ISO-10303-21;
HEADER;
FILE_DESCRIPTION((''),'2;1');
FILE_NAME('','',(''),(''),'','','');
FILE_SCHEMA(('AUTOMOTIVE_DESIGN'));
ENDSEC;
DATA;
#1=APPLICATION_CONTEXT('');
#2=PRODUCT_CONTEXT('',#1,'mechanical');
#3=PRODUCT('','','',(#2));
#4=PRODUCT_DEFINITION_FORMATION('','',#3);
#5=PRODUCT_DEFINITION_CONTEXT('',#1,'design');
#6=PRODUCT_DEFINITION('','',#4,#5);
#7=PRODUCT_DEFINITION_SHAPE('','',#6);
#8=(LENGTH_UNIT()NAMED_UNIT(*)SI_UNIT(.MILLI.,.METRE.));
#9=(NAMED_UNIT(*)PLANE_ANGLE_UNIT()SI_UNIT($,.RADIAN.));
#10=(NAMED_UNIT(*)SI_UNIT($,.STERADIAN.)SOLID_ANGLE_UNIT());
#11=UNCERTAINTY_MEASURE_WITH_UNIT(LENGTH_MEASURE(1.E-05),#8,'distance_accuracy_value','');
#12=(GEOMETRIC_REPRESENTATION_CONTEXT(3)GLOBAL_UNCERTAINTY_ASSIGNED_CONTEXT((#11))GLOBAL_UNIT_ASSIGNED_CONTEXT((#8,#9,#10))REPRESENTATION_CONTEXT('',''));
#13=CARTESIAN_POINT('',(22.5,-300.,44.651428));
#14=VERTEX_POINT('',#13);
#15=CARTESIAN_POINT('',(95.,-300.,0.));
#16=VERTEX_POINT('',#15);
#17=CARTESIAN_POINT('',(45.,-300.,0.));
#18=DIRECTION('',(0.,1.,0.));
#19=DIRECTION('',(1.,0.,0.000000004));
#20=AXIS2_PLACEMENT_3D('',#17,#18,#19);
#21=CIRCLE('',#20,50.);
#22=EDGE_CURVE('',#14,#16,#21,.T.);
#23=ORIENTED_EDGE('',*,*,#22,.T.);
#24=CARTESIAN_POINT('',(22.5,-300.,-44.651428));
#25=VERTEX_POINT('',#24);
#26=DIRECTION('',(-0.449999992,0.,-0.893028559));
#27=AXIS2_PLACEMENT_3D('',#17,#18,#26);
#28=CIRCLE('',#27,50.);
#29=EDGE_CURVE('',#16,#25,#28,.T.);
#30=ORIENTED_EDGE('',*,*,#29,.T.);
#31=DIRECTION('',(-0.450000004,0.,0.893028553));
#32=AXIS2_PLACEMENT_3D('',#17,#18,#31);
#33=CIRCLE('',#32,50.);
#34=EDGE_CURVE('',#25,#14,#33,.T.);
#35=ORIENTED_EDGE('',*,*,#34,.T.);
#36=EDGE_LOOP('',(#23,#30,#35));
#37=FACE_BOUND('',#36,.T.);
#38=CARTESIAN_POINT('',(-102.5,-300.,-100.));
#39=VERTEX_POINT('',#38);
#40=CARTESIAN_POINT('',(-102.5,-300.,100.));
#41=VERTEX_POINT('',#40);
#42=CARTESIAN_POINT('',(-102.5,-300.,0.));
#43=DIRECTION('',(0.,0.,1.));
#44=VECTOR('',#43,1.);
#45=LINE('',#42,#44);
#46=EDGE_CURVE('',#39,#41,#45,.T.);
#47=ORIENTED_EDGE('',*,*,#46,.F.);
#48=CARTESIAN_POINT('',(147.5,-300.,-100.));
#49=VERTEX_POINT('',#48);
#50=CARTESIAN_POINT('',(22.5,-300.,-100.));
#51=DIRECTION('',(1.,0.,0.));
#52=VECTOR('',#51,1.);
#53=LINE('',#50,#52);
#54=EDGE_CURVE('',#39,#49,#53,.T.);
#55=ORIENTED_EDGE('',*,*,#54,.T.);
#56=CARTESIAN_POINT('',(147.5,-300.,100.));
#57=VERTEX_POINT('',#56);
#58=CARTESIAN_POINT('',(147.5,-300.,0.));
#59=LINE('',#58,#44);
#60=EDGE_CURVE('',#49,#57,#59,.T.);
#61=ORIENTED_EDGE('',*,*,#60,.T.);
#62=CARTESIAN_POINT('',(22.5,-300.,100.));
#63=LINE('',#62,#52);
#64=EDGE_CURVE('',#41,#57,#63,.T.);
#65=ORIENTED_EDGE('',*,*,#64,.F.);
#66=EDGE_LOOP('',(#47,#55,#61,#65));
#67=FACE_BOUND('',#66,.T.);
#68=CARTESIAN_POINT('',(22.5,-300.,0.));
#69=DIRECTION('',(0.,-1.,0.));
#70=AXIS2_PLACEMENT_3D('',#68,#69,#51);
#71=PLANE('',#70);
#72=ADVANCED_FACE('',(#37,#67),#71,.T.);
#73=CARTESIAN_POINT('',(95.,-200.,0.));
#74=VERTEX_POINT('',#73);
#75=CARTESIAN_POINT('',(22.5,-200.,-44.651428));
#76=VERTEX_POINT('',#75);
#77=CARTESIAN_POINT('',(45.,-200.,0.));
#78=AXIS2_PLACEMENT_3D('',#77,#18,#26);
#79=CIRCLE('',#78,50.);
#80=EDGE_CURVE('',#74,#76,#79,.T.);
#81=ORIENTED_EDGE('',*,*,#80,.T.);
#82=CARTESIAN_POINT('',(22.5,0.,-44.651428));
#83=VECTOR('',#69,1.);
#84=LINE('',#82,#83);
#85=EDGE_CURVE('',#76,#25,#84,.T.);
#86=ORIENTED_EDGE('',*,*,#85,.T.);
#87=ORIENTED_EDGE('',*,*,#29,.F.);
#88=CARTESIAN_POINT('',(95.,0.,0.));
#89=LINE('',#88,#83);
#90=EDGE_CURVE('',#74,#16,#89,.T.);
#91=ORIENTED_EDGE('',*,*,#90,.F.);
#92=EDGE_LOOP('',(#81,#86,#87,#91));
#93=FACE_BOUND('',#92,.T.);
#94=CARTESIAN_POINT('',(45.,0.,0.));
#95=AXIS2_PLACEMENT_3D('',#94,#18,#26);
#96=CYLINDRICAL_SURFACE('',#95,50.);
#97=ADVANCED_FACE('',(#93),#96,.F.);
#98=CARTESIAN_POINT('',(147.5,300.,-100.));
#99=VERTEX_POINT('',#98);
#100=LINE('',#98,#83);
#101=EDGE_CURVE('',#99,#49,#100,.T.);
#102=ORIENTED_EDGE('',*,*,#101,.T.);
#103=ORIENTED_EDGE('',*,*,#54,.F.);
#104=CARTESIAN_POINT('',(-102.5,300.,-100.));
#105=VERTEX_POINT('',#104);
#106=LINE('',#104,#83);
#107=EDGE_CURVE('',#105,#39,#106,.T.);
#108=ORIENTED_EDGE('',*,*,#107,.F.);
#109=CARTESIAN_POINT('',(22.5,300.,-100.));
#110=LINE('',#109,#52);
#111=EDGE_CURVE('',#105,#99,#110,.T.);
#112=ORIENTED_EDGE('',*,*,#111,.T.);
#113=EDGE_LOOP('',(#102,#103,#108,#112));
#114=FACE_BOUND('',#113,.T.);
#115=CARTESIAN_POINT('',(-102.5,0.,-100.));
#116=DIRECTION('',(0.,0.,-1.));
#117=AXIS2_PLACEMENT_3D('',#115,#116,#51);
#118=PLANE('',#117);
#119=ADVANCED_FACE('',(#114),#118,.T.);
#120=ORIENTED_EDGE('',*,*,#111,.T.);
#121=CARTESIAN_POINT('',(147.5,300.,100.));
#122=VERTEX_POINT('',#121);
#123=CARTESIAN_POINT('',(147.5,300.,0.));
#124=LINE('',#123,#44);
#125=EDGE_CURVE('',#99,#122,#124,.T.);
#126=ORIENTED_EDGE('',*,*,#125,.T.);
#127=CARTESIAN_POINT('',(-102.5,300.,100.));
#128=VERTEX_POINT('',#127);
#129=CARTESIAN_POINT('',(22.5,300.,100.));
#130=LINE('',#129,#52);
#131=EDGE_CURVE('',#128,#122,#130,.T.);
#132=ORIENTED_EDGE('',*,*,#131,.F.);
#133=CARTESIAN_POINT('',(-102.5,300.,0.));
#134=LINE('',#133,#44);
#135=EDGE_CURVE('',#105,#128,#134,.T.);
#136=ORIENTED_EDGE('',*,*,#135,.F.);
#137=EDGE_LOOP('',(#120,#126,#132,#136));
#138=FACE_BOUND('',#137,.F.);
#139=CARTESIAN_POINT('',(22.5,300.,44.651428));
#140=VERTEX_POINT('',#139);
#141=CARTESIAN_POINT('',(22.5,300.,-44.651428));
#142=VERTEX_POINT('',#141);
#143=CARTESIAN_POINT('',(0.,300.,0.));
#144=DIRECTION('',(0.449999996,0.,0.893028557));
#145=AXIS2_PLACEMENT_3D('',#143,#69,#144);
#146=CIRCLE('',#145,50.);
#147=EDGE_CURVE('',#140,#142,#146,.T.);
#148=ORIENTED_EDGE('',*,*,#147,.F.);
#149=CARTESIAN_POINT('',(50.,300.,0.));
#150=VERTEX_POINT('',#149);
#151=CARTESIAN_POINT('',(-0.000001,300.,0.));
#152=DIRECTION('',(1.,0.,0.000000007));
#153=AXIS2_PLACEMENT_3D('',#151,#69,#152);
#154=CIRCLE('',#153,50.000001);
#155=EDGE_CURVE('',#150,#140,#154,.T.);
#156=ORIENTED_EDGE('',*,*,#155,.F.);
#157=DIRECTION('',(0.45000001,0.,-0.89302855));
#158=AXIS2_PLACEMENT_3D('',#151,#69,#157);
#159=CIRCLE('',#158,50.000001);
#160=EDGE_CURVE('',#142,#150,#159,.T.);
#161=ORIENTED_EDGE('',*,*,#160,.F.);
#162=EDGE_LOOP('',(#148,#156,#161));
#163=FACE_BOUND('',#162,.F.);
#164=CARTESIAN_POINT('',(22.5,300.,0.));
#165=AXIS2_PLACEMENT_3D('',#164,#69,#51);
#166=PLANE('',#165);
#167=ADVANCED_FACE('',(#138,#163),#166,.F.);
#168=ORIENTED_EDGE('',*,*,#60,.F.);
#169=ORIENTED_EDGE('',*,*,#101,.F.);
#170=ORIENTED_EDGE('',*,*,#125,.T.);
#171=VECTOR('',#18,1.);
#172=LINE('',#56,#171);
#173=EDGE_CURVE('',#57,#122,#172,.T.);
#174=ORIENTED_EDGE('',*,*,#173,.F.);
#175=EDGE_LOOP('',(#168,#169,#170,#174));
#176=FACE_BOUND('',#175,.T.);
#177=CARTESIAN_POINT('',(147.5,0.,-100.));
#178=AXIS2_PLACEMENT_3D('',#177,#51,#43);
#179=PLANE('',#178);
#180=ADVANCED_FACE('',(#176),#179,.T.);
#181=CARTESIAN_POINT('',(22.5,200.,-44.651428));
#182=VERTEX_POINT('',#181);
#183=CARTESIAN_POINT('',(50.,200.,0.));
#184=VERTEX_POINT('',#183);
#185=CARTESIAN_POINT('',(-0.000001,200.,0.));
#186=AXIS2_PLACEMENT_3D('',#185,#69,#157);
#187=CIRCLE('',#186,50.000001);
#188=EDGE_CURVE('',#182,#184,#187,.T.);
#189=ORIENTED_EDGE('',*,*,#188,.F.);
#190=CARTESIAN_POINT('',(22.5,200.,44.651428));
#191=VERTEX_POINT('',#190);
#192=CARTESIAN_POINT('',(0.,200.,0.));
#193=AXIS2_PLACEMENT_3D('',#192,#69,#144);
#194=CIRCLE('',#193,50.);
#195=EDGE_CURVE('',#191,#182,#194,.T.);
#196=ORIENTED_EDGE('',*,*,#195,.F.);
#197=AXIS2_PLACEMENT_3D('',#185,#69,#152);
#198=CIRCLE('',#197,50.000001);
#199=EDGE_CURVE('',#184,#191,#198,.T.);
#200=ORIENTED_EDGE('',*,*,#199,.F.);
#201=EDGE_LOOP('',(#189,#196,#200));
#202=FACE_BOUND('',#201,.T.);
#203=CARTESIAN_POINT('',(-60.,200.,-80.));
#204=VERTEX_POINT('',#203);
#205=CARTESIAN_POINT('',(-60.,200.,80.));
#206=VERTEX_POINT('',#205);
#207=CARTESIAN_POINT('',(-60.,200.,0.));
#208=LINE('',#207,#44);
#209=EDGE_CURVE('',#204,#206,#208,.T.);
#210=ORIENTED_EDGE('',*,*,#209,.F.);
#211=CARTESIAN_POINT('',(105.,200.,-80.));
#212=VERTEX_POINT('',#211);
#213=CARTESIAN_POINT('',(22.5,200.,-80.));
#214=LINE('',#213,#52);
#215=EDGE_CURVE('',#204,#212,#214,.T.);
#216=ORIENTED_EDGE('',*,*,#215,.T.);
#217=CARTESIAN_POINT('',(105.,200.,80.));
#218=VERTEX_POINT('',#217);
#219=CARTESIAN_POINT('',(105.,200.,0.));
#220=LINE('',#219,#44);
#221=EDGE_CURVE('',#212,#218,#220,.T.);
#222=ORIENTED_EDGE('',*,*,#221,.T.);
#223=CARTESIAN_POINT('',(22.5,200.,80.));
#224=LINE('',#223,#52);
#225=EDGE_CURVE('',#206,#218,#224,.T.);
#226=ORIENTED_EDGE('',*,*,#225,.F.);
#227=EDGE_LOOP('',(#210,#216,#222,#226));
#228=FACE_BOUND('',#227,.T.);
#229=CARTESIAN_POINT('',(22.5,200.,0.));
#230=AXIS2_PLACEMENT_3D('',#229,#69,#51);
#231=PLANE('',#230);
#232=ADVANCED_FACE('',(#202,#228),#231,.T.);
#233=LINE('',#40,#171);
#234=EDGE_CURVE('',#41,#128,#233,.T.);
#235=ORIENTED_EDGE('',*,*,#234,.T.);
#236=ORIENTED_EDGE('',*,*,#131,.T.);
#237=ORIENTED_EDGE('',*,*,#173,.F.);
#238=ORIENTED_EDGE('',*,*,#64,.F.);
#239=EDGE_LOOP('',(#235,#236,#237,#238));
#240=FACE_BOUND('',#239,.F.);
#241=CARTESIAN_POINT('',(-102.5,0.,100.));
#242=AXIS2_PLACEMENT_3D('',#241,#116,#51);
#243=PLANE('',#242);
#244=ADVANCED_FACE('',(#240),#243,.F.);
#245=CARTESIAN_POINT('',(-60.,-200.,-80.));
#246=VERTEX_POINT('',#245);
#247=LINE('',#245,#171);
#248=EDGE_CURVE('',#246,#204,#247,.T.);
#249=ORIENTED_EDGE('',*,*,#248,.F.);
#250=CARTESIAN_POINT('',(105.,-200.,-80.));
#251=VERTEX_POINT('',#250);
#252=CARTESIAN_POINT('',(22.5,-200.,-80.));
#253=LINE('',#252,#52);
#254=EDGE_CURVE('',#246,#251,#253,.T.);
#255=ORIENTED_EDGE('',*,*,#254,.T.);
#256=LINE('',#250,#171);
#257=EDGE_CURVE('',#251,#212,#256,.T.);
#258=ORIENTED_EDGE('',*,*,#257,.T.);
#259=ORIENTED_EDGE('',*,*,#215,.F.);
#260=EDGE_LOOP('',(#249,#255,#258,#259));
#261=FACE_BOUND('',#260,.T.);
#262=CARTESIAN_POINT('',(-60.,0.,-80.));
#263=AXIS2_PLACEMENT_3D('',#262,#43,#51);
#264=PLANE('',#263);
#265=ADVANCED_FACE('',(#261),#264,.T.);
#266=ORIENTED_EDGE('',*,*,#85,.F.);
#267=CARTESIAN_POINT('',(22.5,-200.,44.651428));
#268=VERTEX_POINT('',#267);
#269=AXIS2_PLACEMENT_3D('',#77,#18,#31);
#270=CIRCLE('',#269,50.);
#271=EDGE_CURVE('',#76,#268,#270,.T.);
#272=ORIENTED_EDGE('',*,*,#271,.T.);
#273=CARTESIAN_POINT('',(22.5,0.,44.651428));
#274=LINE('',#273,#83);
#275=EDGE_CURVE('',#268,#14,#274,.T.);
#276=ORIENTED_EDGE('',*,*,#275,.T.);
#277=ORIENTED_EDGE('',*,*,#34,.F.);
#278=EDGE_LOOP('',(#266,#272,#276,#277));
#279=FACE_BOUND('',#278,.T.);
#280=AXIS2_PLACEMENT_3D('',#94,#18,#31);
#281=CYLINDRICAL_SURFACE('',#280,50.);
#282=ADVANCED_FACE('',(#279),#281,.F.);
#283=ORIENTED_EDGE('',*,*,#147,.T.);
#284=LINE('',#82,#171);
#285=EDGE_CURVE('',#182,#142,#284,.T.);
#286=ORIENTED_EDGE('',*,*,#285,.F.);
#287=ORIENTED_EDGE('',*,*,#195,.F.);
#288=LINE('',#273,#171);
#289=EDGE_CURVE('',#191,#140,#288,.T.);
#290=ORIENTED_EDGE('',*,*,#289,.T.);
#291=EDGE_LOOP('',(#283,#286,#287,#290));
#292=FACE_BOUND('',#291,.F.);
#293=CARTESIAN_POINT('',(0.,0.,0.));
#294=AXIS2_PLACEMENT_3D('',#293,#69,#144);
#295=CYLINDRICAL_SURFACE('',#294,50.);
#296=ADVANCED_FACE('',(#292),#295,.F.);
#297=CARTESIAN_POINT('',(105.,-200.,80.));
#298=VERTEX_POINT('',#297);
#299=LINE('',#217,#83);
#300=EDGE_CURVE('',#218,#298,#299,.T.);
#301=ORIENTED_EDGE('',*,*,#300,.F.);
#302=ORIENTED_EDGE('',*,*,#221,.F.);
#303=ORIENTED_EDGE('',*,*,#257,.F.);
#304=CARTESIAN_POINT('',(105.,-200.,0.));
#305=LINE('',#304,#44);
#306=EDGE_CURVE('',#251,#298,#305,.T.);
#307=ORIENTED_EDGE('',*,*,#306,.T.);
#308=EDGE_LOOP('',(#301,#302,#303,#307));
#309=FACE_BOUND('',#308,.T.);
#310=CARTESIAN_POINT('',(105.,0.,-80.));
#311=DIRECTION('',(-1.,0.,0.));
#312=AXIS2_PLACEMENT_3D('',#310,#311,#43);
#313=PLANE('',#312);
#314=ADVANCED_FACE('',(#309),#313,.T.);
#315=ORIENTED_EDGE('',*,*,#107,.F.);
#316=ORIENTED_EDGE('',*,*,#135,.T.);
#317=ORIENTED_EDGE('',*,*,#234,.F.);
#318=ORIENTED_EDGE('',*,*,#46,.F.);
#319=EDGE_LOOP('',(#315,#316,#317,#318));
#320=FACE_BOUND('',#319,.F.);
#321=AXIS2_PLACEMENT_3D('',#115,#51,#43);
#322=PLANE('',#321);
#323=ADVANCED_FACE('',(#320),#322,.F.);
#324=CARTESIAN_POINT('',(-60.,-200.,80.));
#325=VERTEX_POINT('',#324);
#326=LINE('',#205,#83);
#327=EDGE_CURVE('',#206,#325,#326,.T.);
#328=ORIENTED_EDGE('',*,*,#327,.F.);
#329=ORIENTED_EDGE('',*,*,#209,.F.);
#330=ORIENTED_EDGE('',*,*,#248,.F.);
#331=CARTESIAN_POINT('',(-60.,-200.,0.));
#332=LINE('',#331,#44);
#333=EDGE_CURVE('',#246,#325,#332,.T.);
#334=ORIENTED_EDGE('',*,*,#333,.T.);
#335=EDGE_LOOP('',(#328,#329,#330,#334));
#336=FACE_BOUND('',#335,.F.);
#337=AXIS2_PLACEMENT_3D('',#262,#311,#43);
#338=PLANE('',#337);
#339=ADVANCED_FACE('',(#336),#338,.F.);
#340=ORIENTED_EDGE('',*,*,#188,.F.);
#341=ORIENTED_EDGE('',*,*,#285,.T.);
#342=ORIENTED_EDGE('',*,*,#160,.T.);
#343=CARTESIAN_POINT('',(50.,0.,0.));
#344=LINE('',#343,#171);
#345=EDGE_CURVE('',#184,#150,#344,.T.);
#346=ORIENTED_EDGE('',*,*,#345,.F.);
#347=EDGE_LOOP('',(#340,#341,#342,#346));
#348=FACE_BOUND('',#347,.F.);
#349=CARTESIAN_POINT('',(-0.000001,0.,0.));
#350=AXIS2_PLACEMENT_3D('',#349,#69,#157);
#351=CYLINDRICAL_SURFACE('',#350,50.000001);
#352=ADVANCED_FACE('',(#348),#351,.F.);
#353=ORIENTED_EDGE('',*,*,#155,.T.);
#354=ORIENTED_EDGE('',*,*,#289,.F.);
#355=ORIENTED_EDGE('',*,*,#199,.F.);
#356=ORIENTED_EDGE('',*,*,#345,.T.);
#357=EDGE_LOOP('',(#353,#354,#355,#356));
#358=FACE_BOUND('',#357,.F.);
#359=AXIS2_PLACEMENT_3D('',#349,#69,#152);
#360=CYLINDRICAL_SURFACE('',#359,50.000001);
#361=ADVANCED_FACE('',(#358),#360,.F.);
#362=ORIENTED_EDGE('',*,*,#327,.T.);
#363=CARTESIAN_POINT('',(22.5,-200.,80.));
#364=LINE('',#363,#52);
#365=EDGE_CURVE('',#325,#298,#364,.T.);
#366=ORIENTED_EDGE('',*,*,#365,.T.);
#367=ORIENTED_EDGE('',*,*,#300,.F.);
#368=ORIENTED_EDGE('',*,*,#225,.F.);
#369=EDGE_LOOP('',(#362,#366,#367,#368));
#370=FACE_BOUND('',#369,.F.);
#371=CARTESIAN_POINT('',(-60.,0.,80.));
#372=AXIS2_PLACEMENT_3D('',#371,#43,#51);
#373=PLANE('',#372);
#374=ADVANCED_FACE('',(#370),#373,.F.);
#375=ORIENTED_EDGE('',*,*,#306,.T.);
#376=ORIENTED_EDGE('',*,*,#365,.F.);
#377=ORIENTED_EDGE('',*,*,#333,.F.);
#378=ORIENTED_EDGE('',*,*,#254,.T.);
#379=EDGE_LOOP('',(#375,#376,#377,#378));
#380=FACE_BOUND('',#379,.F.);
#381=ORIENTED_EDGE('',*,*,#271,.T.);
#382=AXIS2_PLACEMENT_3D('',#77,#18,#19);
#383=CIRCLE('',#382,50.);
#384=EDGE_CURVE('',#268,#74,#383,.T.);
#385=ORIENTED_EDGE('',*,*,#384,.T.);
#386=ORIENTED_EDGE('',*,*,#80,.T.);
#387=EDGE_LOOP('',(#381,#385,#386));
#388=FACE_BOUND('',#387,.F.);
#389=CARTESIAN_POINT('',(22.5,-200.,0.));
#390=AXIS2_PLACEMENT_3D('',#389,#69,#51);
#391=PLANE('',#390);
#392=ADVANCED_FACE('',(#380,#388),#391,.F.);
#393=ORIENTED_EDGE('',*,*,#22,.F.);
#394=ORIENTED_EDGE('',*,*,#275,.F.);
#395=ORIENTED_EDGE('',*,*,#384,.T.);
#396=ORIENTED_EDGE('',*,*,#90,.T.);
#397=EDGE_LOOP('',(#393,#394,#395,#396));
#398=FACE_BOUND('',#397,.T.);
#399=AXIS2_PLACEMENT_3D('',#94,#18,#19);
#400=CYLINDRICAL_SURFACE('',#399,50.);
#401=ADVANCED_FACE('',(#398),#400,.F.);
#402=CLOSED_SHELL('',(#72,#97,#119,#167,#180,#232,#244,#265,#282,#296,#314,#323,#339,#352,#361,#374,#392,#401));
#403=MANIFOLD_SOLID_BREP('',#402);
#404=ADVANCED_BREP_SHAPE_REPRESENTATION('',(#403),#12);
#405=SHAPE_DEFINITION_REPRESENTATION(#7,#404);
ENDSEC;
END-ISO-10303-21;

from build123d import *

# Parameters (mm, degrees)
F0_W          = 250
F0_H          = 200
F0_W_2        = 165
F0_H_2        = 160
F1_DEPTH      = 300
F1_DEPTH_BACK = 300
F2_DEPTH      = 200
F2_DEPTH_BACK = 200
F3_DEPTH      = 300.001
F4_DEPTH      = 300.001


with BuildPart() as f1:
    # F0 (on Front) → F1 (new body, two sides)
    with BuildSketch(Plane.XZ) as f1_sk:
        with Locations((22.5, 0)):
            Rectangle(F0_W, F0_H)
        with Locations((22.5, 0)):
            Rectangle(F0_W_2, F0_H_2, mode=Mode.SUBTRACT)
        with Locations((22.5, 0)):
            Rectangle(F0_W_2, F0_H_2)
        with BuildLine():
            ThreePointArc((22.5, -44.651428), (-50, 0), (22.5, 44.651428))
            ThreePointArc((22.5, 44.651428), (71.220221, 42.573466), (95, 0))
            ThreePointArc((95, 0), (71.220221, -42.573466), (22.5, -44.651428))
        make_face(mode=Mode.SUBTRACT)
        with BuildLine():
            ThreePointArc((22.5, -44.651428), (-5, 0), (22.5, 44.651428))
            ThreePointArc((22.5, 44.651428), (-50, 0), (22.5, -44.651428))
        make_face()
        with BuildLine():
            ThreePointArc((22.5, -44.651428), (42.573466, -26.220221), (50, 0))
            ThreePointArc((50, 0), (42.573466, 26.220221), (22.5, 44.651428))
            ThreePointArc((22.5, 44.651428), (-5, 0), (22.5, -44.651428))
        make_face()
        with BuildLine():
            ThreePointArc((22.5, 44.651428), (42.573466, 26.220221), (50, 0))
            ThreePointArc((50, 0), (42.573466, -26.220221), (22.5, -44.651428))
            ThreePointArc((22.5, -44.651428), (71.220221, -42.573466), (95, 0))
            ThreePointArc((95, 0), (71.220221, 42.573466), (22.5, 44.651428))
        make_face()
    extrude(amount=F1_DEPTH)
    extrude(f1_sk.sketch, amount=-F1_DEPTH_BACK)

    # F0 (on Front) → F2 (cut, two sides)
    with BuildSketch(Plane.XZ) as f2_sk:
        with Locations((22.5, 0)):
            Rectangle(F0_W_2, F0_H_2)
        with BuildLine():
            ThreePointArc((22.5, -44.651428), (-50, 0), (22.5, 44.651428))
            ThreePointArc((22.5, 44.651428), (71.220221, 42.573466), (95, 0))
            ThreePointArc((95, 0), (71.220221, -42.573466), (22.5, -44.651428))
        make_face(mode=Mode.SUBTRACT)
        with BuildLine():
            ThreePointArc((22.5, -44.651428), (-5, 0), (22.5, 44.651428))
            ThreePointArc((22.5, 44.651428), (-50, 0), (22.5, -44.651428))
        make_face()
        with BuildLine():
            ThreePointArc((22.5, -44.651428), (42.573466, -26.220221), (50, 0))
            ThreePointArc((50, 0), (42.573466, 26.220221), (22.5, 44.651428))
            ThreePointArc((22.5, 44.651428), (-5, 0), (22.5, -44.651428))
        make_face()
        with BuildLine():
            ThreePointArc((22.5, 44.651428), (42.573466, 26.220221), (50, 0))
            ThreePointArc((50, 0), (42.573466, -26.220221), (22.5, -44.651428))
            ThreePointArc((22.5, -44.651428), (71.220221, -42.573466), (95, 0))
            ThreePointArc((95, 0), (71.220221, 42.573466), (22.5, 44.651428))
        make_face()
    extrude(amount=F2_DEPTH, mode=Mode.SUBTRACT)
    extrude(f2_sk.sketch, amount=-F2_DEPTH_BACK, mode=Mode.SUBTRACT)

    # F0 (on Front) → F3 (cut, through all)
    with BuildSketch(Plane.XZ):
        with BuildLine():
            ThreePointArc((22.5, -44.651428), (42.573466, -26.220221), (50, 0))
            ThreePointArc((50, 0), (42.573466, 26.220221), (22.5, 44.651428))
            ThreePointArc((22.5, 44.651428), (-5, 0), (22.5, -44.651428))
        make_face()
        with BuildLine():
            ThreePointArc((22.5, 44.651428), (42.573466, 26.220221), (50, 0))
            ThreePointArc((50, 0), (42.573466, -26.220221), (22.5, -44.651428))
            ThreePointArc((22.5, -44.651428), (71.220221, -42.573466), (95, 0))
            ThreePointArc((95, 0), (71.220221, 42.573466), (22.5, 44.651428))
        make_face()
    extrude(amount=F3_DEPTH, mode=Mode.SUBTRACT)

    # F0 (on Front) → F4 (cut, through all)
    with BuildSketch(Plane.XZ):
        with BuildLine():
            ThreePointArc((22.5, -44.651428), (-5, 0), (22.5, 44.651428))
            ThreePointArc((22.5, 44.651428), (-50, 0), (22.5, -44.651428))
        make_face()
        with BuildLine():
            ThreePointArc((22.5, -44.651428), (42.573466, -26.220221), (50, 0))
            ThreePointArc((50, 0), (42.573466, 26.220221), (22.5, 44.651428))
            ThreePointArc((22.5, 44.651428), (-5, 0), (22.5, -44.651428))
        make_face()
    extrude(amount=-F4_DEPTH, mode=Mode.SUBTRACT)


solid = f1.part
